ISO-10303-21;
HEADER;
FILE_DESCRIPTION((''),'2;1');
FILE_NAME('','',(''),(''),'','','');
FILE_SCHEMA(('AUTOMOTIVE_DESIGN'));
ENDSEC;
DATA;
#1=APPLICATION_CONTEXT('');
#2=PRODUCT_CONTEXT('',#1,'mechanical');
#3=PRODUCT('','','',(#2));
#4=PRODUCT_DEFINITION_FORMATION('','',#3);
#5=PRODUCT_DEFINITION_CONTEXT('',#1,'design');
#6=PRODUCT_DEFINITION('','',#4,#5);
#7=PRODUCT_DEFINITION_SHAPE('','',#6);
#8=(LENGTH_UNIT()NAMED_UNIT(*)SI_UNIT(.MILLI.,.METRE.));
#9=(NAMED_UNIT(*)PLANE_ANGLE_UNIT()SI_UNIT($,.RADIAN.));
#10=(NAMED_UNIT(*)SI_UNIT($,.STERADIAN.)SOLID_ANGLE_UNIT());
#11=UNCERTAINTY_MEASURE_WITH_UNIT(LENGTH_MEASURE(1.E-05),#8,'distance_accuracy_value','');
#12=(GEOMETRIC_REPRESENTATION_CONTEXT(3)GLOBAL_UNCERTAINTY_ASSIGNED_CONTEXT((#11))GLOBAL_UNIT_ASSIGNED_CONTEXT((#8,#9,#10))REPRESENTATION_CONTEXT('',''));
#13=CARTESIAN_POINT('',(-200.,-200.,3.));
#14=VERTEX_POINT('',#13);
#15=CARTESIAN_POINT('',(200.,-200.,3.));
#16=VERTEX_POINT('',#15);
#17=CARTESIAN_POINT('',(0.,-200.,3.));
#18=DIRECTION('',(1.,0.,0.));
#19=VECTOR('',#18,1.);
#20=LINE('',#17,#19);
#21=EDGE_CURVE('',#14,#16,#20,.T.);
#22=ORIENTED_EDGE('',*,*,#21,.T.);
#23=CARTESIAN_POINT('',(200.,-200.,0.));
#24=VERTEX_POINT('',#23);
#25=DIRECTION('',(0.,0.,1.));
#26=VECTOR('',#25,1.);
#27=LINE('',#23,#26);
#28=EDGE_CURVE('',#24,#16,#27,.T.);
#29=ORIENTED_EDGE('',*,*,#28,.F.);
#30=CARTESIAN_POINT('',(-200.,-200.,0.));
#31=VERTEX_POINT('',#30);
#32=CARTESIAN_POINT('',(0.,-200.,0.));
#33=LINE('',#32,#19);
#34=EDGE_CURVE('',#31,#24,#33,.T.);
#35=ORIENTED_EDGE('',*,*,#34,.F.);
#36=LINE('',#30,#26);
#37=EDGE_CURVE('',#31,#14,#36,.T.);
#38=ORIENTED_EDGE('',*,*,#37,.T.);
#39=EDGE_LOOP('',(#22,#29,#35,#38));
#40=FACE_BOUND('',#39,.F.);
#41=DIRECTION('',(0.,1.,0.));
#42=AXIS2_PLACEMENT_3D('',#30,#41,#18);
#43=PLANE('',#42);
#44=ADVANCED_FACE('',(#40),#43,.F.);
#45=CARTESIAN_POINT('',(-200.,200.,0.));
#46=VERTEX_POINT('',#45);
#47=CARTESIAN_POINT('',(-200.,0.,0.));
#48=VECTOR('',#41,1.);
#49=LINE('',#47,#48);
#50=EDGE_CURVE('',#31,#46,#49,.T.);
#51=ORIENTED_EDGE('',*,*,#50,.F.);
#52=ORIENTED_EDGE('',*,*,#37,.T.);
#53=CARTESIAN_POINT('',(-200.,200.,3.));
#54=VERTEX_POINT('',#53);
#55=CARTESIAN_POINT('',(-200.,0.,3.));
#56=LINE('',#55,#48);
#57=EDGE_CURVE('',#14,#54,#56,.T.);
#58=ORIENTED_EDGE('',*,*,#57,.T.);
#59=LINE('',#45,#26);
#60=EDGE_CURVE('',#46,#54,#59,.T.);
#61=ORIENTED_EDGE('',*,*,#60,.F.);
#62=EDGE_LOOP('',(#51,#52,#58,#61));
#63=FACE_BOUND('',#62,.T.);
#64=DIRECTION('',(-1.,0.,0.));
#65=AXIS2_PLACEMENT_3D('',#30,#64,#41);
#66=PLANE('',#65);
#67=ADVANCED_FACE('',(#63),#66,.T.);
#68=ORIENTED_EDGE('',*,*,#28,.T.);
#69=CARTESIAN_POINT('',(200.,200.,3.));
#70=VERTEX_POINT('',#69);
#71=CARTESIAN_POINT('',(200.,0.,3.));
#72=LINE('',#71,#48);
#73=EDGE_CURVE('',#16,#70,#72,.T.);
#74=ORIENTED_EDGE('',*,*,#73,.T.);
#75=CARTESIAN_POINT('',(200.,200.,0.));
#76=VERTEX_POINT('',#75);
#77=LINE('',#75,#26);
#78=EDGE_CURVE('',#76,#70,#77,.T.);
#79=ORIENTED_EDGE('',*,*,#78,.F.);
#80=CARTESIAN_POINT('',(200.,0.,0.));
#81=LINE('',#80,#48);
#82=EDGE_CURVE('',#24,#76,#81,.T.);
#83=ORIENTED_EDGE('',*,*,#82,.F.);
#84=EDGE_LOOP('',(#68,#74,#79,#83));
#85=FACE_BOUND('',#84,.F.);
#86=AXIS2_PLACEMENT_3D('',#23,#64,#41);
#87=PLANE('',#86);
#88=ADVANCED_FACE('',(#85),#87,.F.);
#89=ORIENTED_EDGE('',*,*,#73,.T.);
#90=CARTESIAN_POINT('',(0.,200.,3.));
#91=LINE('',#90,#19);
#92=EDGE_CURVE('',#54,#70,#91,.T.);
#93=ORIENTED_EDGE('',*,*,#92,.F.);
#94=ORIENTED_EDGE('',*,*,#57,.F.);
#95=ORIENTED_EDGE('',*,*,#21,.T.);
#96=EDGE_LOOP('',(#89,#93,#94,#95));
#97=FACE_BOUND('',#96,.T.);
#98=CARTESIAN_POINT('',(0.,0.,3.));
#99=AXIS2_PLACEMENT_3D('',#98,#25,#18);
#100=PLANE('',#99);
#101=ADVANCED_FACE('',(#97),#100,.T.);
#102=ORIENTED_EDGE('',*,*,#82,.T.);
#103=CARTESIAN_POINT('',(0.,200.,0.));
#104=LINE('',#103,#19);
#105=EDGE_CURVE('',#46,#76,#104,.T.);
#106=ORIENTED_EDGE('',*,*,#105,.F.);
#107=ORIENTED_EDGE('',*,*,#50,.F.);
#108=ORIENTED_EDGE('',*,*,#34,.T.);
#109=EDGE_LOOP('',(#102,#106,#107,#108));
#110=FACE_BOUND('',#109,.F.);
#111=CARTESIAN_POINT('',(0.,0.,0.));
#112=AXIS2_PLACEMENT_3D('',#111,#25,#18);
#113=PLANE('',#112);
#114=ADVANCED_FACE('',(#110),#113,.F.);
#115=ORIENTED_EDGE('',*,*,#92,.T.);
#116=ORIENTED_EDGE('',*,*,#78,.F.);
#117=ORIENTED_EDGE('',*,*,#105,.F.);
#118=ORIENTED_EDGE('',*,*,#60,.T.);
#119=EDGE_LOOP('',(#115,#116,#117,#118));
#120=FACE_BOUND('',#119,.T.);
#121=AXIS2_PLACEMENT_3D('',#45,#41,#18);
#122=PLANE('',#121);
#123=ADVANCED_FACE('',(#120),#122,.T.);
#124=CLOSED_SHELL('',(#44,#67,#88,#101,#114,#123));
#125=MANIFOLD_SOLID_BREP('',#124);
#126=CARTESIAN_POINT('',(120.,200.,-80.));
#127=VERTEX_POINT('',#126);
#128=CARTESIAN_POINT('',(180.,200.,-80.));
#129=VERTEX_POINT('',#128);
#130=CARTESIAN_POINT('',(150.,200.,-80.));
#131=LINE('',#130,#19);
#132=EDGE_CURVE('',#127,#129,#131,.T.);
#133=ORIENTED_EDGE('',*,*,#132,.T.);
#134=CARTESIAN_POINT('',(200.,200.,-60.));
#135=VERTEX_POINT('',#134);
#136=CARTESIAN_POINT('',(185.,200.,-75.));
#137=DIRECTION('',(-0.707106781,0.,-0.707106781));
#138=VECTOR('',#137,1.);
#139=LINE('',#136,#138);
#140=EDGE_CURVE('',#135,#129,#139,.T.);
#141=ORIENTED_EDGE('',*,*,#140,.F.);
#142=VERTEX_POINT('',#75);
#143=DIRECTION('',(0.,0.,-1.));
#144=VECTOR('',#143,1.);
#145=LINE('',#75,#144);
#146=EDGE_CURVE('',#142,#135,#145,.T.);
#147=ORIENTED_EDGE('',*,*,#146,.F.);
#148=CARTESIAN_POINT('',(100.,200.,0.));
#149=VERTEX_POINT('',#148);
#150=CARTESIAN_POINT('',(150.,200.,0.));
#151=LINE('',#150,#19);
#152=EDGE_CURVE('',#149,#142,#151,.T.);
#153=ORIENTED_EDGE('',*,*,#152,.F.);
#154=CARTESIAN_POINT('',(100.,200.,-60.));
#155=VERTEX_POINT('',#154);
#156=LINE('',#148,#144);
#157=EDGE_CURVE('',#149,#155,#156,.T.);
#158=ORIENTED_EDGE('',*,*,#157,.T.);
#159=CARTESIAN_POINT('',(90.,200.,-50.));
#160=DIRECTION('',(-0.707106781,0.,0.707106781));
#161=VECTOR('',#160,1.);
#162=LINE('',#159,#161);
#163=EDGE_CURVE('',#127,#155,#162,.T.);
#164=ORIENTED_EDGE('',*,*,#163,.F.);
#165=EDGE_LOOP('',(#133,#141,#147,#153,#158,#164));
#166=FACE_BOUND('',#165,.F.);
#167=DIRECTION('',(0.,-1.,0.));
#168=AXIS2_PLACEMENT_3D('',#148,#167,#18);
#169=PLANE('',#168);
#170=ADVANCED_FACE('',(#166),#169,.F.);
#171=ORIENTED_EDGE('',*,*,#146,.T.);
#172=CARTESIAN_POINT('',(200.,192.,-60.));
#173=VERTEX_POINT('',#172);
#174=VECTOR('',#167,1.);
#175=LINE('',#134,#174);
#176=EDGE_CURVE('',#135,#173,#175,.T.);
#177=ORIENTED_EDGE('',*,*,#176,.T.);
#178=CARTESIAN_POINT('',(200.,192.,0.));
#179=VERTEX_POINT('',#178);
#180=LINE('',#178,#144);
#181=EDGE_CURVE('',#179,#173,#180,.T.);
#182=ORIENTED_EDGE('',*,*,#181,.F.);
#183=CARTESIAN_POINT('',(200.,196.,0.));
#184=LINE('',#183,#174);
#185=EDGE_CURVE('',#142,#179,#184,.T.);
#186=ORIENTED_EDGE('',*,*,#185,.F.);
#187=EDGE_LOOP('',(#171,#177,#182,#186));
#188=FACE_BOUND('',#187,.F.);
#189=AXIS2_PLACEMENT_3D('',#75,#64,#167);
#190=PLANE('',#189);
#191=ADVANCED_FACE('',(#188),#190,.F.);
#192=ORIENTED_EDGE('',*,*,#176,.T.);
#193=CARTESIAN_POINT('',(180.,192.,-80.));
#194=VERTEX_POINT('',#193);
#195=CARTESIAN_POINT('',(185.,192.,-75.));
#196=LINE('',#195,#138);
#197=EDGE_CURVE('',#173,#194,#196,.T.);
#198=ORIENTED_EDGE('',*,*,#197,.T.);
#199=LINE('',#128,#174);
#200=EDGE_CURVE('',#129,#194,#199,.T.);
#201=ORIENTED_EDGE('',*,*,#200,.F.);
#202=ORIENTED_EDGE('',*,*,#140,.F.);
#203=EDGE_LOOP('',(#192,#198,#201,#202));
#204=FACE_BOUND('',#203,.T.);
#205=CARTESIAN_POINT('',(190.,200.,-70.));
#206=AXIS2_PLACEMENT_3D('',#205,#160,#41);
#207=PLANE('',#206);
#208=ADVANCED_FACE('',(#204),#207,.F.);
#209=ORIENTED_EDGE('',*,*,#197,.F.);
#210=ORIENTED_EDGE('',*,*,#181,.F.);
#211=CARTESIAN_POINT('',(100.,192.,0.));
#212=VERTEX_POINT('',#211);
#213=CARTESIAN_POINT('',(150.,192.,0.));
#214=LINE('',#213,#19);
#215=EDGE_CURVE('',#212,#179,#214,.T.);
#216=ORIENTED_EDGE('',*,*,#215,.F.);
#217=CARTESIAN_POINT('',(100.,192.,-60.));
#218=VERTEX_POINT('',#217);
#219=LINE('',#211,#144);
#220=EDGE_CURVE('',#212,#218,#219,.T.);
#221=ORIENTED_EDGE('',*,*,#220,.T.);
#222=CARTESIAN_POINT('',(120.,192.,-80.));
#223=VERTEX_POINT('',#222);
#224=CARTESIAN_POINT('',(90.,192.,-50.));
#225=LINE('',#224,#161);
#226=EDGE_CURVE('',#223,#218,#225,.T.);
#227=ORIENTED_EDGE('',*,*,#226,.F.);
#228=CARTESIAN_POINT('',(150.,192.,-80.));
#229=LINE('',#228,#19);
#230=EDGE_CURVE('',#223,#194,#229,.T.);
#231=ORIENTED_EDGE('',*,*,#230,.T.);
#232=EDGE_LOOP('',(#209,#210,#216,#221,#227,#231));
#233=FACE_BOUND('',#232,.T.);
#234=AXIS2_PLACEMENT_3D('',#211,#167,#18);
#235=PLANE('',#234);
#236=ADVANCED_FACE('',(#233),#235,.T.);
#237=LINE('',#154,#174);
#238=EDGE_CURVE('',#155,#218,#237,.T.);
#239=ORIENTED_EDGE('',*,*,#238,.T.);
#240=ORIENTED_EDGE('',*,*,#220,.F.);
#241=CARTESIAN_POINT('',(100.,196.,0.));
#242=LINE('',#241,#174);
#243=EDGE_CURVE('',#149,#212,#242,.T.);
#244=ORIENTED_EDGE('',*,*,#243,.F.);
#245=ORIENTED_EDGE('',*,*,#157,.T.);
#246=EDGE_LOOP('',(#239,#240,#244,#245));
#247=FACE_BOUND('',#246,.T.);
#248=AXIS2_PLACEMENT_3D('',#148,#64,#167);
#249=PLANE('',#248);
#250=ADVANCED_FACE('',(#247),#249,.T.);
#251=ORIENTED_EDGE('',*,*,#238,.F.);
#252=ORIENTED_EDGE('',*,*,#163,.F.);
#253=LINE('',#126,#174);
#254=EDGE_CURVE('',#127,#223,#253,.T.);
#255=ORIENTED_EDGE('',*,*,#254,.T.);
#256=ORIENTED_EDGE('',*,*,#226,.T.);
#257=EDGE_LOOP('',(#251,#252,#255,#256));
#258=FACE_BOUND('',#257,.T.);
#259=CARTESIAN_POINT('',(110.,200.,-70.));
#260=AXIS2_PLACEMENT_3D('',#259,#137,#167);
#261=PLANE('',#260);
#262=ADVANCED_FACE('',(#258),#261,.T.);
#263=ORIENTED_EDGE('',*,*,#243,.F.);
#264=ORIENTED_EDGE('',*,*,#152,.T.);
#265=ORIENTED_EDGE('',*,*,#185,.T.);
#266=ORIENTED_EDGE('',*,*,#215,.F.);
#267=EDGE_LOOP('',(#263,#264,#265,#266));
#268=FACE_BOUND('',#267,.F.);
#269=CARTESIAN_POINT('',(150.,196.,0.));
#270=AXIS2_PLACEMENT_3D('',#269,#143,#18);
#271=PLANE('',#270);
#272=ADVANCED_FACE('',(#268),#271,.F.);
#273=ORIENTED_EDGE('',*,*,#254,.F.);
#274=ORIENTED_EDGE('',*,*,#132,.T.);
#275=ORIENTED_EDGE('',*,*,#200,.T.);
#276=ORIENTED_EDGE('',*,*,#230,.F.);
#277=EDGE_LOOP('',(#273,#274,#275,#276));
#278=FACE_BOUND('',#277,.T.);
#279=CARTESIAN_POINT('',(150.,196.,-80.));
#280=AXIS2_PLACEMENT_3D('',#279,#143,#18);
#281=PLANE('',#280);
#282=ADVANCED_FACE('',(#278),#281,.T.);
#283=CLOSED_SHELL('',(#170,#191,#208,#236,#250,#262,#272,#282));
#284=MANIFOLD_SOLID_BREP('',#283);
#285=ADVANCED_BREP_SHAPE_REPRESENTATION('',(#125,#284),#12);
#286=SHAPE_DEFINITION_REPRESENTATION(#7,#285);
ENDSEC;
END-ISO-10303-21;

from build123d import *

# Parameters (mm, degrees)
F0_W     = 400
F0_H     = 400
F1_DEPTH = 3
F2_W     = 100
F2_H     = 8
F3_DEPTH = 80
F4_SIZE  = 20
F5_SIZE  = 20


with BuildPart() as f1:
    # F0 (on Top) → F1 (new body)
    with BuildSketch(Plane.XY):
        Rectangle(F0_W, F0_H)
    extrude(amount=F1_DEPTH)


with BuildPart() as f3:
    # F2 (on face) → F3 (new body)
    with BuildSketch(Plane(origin=(0, 0, 0), x_dir=(1, 0, 0), z_dir=(0, 0, -1))):
        with Locations((150, -196)):
            Rectangle(F2_W, F2_H)
    extrude(amount=F3_DEPTH)

    # F4
    f4_edges = [f3.edges().sort_by_distance(p)[0] for p in [
        (200, 196, -80),
    ]]
    chamfer(f4_edges, length=F4_SIZE)

    # F5
    f5_edges = [f3.edges().sort_by_distance(p)[0] for p in [
        (100, 196, -80),
    ]]
    chamfer(f5_edges, length=F5_SIZE)


solid = Compound([f1.part, f3.part])
